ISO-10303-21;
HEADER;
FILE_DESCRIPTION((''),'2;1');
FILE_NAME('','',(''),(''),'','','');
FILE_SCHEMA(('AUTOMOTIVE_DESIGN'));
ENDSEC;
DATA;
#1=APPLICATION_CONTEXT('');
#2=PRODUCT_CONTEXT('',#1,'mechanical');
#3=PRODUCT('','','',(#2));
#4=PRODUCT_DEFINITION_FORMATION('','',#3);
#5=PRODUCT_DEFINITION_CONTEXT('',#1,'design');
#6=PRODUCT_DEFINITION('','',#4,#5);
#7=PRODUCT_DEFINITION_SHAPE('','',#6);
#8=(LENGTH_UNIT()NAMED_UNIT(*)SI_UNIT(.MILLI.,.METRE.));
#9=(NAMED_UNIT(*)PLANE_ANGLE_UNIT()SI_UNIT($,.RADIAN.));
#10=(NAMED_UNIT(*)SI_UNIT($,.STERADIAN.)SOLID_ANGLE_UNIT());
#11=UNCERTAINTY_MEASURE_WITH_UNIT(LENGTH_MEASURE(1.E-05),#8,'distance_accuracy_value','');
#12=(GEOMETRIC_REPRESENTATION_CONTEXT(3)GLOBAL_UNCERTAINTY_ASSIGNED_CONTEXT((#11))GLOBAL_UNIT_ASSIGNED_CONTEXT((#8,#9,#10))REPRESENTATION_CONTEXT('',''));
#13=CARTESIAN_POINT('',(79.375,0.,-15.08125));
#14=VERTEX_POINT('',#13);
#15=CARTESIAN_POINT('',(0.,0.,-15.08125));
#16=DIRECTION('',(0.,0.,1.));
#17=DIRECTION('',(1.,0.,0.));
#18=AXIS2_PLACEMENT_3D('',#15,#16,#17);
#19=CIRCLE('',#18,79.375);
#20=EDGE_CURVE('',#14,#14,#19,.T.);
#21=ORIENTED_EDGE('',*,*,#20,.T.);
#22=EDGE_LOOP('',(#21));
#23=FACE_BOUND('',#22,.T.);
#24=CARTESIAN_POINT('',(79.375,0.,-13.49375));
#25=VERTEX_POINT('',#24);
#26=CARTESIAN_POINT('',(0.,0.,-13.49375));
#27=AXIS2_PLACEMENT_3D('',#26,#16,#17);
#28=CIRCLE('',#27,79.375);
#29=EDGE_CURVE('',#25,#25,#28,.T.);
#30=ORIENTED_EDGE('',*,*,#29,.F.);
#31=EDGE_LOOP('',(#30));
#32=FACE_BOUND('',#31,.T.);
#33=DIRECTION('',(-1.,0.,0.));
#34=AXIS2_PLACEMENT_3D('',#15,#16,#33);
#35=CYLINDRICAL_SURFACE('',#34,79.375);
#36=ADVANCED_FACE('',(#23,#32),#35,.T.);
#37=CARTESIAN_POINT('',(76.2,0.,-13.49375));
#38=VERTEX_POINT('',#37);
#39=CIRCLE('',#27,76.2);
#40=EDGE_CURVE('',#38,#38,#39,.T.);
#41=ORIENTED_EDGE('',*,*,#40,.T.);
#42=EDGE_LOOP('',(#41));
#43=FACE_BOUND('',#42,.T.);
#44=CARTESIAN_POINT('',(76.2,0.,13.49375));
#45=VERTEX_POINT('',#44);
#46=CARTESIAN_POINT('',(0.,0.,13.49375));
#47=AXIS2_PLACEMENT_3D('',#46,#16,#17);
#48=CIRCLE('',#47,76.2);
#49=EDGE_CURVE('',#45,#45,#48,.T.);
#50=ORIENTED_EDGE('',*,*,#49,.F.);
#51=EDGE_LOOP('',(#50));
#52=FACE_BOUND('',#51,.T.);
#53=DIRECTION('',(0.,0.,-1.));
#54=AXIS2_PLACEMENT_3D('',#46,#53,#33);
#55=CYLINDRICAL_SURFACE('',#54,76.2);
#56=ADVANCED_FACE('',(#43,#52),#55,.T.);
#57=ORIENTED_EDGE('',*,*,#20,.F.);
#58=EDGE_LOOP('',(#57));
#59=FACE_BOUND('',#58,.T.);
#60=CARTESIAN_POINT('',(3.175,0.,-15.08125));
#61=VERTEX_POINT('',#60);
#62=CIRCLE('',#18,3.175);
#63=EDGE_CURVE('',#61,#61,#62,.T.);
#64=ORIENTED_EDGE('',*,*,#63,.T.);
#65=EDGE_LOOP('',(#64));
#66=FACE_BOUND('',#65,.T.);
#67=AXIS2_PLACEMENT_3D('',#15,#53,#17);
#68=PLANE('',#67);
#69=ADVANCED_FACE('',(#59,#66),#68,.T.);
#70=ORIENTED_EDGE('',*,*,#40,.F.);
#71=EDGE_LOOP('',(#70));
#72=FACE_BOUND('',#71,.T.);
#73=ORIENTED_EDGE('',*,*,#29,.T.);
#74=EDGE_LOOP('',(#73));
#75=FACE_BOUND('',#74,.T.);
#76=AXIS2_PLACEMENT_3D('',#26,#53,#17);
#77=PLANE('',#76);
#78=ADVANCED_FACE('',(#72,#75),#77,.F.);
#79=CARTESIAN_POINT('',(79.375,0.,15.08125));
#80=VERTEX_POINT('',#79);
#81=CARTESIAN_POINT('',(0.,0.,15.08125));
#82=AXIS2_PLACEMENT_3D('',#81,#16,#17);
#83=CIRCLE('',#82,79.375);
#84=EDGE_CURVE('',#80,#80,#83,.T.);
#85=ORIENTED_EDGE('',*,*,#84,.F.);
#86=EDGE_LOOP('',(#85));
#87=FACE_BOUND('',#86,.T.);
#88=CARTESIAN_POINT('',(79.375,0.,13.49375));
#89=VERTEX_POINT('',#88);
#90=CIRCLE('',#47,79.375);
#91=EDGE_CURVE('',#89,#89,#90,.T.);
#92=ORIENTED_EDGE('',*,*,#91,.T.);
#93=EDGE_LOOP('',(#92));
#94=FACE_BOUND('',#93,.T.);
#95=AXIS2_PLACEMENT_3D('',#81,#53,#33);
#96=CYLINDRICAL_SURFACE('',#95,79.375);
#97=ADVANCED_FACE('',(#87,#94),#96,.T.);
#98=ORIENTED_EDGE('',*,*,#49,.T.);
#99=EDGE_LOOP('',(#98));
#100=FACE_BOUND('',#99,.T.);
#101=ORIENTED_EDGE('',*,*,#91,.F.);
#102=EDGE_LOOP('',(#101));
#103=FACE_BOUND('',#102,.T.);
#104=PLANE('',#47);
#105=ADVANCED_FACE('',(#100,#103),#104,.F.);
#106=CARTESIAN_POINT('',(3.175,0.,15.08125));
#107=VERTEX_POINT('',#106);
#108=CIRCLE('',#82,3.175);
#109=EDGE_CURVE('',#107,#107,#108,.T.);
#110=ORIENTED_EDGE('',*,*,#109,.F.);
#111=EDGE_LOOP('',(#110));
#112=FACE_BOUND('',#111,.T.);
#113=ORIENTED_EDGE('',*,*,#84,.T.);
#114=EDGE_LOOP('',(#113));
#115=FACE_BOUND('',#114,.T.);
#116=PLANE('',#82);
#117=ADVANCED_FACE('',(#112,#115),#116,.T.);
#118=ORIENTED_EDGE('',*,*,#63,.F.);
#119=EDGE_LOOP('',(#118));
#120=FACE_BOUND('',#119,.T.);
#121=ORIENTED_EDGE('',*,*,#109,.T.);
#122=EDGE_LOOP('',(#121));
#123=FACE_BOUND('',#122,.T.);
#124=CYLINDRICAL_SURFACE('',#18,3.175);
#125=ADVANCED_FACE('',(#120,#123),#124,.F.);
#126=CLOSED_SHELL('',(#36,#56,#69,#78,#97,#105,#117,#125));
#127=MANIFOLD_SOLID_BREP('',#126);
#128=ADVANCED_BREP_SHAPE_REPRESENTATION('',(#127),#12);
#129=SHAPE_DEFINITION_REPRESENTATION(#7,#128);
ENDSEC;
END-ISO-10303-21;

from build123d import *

# Parameters (mm, degrees)
INNER_R             = 76.2
BOSS_EXTRUDE1_DEPTH = 13.49375
RIM_R               = 79.375
BOSS_EXTRUDE2_DEPTH = 1.5875
HOLE_R              = 3.175
CUT_EXTRUDE1_DEPTH  = 31.1625


with BuildPart() as part:
    # Inner → Boss-Extrude1 (new body)
    with BuildSketch(Plane.XY):
        Circle(INNER_R)
    extrude(amount=BOSS_EXTRUDE1_DEPTH)

    # Rim → Boss-Extrude2 (add)
    with BuildSketch(Plane.XY.offset(13.49375)):
        Circle(RIM_R)
    extrude(amount=BOSS_EXTRUDE2_DEPTH)

    # Mirror1: part across plane


with BuildPart() as part_1:
    add(part.part)
    add(part.part.mirror(Plane.XY))

    # Hole → Cut-Extrude1 (cut, through all)
    with BuildSketch(Plane.XY.offset(15.08125)):
        Circle(HOLE_R)
    extrude(amount=-CUT_EXTRUDE1_DEPTH, mode=Mode.SUBTRACT)


solid = part_1.part
